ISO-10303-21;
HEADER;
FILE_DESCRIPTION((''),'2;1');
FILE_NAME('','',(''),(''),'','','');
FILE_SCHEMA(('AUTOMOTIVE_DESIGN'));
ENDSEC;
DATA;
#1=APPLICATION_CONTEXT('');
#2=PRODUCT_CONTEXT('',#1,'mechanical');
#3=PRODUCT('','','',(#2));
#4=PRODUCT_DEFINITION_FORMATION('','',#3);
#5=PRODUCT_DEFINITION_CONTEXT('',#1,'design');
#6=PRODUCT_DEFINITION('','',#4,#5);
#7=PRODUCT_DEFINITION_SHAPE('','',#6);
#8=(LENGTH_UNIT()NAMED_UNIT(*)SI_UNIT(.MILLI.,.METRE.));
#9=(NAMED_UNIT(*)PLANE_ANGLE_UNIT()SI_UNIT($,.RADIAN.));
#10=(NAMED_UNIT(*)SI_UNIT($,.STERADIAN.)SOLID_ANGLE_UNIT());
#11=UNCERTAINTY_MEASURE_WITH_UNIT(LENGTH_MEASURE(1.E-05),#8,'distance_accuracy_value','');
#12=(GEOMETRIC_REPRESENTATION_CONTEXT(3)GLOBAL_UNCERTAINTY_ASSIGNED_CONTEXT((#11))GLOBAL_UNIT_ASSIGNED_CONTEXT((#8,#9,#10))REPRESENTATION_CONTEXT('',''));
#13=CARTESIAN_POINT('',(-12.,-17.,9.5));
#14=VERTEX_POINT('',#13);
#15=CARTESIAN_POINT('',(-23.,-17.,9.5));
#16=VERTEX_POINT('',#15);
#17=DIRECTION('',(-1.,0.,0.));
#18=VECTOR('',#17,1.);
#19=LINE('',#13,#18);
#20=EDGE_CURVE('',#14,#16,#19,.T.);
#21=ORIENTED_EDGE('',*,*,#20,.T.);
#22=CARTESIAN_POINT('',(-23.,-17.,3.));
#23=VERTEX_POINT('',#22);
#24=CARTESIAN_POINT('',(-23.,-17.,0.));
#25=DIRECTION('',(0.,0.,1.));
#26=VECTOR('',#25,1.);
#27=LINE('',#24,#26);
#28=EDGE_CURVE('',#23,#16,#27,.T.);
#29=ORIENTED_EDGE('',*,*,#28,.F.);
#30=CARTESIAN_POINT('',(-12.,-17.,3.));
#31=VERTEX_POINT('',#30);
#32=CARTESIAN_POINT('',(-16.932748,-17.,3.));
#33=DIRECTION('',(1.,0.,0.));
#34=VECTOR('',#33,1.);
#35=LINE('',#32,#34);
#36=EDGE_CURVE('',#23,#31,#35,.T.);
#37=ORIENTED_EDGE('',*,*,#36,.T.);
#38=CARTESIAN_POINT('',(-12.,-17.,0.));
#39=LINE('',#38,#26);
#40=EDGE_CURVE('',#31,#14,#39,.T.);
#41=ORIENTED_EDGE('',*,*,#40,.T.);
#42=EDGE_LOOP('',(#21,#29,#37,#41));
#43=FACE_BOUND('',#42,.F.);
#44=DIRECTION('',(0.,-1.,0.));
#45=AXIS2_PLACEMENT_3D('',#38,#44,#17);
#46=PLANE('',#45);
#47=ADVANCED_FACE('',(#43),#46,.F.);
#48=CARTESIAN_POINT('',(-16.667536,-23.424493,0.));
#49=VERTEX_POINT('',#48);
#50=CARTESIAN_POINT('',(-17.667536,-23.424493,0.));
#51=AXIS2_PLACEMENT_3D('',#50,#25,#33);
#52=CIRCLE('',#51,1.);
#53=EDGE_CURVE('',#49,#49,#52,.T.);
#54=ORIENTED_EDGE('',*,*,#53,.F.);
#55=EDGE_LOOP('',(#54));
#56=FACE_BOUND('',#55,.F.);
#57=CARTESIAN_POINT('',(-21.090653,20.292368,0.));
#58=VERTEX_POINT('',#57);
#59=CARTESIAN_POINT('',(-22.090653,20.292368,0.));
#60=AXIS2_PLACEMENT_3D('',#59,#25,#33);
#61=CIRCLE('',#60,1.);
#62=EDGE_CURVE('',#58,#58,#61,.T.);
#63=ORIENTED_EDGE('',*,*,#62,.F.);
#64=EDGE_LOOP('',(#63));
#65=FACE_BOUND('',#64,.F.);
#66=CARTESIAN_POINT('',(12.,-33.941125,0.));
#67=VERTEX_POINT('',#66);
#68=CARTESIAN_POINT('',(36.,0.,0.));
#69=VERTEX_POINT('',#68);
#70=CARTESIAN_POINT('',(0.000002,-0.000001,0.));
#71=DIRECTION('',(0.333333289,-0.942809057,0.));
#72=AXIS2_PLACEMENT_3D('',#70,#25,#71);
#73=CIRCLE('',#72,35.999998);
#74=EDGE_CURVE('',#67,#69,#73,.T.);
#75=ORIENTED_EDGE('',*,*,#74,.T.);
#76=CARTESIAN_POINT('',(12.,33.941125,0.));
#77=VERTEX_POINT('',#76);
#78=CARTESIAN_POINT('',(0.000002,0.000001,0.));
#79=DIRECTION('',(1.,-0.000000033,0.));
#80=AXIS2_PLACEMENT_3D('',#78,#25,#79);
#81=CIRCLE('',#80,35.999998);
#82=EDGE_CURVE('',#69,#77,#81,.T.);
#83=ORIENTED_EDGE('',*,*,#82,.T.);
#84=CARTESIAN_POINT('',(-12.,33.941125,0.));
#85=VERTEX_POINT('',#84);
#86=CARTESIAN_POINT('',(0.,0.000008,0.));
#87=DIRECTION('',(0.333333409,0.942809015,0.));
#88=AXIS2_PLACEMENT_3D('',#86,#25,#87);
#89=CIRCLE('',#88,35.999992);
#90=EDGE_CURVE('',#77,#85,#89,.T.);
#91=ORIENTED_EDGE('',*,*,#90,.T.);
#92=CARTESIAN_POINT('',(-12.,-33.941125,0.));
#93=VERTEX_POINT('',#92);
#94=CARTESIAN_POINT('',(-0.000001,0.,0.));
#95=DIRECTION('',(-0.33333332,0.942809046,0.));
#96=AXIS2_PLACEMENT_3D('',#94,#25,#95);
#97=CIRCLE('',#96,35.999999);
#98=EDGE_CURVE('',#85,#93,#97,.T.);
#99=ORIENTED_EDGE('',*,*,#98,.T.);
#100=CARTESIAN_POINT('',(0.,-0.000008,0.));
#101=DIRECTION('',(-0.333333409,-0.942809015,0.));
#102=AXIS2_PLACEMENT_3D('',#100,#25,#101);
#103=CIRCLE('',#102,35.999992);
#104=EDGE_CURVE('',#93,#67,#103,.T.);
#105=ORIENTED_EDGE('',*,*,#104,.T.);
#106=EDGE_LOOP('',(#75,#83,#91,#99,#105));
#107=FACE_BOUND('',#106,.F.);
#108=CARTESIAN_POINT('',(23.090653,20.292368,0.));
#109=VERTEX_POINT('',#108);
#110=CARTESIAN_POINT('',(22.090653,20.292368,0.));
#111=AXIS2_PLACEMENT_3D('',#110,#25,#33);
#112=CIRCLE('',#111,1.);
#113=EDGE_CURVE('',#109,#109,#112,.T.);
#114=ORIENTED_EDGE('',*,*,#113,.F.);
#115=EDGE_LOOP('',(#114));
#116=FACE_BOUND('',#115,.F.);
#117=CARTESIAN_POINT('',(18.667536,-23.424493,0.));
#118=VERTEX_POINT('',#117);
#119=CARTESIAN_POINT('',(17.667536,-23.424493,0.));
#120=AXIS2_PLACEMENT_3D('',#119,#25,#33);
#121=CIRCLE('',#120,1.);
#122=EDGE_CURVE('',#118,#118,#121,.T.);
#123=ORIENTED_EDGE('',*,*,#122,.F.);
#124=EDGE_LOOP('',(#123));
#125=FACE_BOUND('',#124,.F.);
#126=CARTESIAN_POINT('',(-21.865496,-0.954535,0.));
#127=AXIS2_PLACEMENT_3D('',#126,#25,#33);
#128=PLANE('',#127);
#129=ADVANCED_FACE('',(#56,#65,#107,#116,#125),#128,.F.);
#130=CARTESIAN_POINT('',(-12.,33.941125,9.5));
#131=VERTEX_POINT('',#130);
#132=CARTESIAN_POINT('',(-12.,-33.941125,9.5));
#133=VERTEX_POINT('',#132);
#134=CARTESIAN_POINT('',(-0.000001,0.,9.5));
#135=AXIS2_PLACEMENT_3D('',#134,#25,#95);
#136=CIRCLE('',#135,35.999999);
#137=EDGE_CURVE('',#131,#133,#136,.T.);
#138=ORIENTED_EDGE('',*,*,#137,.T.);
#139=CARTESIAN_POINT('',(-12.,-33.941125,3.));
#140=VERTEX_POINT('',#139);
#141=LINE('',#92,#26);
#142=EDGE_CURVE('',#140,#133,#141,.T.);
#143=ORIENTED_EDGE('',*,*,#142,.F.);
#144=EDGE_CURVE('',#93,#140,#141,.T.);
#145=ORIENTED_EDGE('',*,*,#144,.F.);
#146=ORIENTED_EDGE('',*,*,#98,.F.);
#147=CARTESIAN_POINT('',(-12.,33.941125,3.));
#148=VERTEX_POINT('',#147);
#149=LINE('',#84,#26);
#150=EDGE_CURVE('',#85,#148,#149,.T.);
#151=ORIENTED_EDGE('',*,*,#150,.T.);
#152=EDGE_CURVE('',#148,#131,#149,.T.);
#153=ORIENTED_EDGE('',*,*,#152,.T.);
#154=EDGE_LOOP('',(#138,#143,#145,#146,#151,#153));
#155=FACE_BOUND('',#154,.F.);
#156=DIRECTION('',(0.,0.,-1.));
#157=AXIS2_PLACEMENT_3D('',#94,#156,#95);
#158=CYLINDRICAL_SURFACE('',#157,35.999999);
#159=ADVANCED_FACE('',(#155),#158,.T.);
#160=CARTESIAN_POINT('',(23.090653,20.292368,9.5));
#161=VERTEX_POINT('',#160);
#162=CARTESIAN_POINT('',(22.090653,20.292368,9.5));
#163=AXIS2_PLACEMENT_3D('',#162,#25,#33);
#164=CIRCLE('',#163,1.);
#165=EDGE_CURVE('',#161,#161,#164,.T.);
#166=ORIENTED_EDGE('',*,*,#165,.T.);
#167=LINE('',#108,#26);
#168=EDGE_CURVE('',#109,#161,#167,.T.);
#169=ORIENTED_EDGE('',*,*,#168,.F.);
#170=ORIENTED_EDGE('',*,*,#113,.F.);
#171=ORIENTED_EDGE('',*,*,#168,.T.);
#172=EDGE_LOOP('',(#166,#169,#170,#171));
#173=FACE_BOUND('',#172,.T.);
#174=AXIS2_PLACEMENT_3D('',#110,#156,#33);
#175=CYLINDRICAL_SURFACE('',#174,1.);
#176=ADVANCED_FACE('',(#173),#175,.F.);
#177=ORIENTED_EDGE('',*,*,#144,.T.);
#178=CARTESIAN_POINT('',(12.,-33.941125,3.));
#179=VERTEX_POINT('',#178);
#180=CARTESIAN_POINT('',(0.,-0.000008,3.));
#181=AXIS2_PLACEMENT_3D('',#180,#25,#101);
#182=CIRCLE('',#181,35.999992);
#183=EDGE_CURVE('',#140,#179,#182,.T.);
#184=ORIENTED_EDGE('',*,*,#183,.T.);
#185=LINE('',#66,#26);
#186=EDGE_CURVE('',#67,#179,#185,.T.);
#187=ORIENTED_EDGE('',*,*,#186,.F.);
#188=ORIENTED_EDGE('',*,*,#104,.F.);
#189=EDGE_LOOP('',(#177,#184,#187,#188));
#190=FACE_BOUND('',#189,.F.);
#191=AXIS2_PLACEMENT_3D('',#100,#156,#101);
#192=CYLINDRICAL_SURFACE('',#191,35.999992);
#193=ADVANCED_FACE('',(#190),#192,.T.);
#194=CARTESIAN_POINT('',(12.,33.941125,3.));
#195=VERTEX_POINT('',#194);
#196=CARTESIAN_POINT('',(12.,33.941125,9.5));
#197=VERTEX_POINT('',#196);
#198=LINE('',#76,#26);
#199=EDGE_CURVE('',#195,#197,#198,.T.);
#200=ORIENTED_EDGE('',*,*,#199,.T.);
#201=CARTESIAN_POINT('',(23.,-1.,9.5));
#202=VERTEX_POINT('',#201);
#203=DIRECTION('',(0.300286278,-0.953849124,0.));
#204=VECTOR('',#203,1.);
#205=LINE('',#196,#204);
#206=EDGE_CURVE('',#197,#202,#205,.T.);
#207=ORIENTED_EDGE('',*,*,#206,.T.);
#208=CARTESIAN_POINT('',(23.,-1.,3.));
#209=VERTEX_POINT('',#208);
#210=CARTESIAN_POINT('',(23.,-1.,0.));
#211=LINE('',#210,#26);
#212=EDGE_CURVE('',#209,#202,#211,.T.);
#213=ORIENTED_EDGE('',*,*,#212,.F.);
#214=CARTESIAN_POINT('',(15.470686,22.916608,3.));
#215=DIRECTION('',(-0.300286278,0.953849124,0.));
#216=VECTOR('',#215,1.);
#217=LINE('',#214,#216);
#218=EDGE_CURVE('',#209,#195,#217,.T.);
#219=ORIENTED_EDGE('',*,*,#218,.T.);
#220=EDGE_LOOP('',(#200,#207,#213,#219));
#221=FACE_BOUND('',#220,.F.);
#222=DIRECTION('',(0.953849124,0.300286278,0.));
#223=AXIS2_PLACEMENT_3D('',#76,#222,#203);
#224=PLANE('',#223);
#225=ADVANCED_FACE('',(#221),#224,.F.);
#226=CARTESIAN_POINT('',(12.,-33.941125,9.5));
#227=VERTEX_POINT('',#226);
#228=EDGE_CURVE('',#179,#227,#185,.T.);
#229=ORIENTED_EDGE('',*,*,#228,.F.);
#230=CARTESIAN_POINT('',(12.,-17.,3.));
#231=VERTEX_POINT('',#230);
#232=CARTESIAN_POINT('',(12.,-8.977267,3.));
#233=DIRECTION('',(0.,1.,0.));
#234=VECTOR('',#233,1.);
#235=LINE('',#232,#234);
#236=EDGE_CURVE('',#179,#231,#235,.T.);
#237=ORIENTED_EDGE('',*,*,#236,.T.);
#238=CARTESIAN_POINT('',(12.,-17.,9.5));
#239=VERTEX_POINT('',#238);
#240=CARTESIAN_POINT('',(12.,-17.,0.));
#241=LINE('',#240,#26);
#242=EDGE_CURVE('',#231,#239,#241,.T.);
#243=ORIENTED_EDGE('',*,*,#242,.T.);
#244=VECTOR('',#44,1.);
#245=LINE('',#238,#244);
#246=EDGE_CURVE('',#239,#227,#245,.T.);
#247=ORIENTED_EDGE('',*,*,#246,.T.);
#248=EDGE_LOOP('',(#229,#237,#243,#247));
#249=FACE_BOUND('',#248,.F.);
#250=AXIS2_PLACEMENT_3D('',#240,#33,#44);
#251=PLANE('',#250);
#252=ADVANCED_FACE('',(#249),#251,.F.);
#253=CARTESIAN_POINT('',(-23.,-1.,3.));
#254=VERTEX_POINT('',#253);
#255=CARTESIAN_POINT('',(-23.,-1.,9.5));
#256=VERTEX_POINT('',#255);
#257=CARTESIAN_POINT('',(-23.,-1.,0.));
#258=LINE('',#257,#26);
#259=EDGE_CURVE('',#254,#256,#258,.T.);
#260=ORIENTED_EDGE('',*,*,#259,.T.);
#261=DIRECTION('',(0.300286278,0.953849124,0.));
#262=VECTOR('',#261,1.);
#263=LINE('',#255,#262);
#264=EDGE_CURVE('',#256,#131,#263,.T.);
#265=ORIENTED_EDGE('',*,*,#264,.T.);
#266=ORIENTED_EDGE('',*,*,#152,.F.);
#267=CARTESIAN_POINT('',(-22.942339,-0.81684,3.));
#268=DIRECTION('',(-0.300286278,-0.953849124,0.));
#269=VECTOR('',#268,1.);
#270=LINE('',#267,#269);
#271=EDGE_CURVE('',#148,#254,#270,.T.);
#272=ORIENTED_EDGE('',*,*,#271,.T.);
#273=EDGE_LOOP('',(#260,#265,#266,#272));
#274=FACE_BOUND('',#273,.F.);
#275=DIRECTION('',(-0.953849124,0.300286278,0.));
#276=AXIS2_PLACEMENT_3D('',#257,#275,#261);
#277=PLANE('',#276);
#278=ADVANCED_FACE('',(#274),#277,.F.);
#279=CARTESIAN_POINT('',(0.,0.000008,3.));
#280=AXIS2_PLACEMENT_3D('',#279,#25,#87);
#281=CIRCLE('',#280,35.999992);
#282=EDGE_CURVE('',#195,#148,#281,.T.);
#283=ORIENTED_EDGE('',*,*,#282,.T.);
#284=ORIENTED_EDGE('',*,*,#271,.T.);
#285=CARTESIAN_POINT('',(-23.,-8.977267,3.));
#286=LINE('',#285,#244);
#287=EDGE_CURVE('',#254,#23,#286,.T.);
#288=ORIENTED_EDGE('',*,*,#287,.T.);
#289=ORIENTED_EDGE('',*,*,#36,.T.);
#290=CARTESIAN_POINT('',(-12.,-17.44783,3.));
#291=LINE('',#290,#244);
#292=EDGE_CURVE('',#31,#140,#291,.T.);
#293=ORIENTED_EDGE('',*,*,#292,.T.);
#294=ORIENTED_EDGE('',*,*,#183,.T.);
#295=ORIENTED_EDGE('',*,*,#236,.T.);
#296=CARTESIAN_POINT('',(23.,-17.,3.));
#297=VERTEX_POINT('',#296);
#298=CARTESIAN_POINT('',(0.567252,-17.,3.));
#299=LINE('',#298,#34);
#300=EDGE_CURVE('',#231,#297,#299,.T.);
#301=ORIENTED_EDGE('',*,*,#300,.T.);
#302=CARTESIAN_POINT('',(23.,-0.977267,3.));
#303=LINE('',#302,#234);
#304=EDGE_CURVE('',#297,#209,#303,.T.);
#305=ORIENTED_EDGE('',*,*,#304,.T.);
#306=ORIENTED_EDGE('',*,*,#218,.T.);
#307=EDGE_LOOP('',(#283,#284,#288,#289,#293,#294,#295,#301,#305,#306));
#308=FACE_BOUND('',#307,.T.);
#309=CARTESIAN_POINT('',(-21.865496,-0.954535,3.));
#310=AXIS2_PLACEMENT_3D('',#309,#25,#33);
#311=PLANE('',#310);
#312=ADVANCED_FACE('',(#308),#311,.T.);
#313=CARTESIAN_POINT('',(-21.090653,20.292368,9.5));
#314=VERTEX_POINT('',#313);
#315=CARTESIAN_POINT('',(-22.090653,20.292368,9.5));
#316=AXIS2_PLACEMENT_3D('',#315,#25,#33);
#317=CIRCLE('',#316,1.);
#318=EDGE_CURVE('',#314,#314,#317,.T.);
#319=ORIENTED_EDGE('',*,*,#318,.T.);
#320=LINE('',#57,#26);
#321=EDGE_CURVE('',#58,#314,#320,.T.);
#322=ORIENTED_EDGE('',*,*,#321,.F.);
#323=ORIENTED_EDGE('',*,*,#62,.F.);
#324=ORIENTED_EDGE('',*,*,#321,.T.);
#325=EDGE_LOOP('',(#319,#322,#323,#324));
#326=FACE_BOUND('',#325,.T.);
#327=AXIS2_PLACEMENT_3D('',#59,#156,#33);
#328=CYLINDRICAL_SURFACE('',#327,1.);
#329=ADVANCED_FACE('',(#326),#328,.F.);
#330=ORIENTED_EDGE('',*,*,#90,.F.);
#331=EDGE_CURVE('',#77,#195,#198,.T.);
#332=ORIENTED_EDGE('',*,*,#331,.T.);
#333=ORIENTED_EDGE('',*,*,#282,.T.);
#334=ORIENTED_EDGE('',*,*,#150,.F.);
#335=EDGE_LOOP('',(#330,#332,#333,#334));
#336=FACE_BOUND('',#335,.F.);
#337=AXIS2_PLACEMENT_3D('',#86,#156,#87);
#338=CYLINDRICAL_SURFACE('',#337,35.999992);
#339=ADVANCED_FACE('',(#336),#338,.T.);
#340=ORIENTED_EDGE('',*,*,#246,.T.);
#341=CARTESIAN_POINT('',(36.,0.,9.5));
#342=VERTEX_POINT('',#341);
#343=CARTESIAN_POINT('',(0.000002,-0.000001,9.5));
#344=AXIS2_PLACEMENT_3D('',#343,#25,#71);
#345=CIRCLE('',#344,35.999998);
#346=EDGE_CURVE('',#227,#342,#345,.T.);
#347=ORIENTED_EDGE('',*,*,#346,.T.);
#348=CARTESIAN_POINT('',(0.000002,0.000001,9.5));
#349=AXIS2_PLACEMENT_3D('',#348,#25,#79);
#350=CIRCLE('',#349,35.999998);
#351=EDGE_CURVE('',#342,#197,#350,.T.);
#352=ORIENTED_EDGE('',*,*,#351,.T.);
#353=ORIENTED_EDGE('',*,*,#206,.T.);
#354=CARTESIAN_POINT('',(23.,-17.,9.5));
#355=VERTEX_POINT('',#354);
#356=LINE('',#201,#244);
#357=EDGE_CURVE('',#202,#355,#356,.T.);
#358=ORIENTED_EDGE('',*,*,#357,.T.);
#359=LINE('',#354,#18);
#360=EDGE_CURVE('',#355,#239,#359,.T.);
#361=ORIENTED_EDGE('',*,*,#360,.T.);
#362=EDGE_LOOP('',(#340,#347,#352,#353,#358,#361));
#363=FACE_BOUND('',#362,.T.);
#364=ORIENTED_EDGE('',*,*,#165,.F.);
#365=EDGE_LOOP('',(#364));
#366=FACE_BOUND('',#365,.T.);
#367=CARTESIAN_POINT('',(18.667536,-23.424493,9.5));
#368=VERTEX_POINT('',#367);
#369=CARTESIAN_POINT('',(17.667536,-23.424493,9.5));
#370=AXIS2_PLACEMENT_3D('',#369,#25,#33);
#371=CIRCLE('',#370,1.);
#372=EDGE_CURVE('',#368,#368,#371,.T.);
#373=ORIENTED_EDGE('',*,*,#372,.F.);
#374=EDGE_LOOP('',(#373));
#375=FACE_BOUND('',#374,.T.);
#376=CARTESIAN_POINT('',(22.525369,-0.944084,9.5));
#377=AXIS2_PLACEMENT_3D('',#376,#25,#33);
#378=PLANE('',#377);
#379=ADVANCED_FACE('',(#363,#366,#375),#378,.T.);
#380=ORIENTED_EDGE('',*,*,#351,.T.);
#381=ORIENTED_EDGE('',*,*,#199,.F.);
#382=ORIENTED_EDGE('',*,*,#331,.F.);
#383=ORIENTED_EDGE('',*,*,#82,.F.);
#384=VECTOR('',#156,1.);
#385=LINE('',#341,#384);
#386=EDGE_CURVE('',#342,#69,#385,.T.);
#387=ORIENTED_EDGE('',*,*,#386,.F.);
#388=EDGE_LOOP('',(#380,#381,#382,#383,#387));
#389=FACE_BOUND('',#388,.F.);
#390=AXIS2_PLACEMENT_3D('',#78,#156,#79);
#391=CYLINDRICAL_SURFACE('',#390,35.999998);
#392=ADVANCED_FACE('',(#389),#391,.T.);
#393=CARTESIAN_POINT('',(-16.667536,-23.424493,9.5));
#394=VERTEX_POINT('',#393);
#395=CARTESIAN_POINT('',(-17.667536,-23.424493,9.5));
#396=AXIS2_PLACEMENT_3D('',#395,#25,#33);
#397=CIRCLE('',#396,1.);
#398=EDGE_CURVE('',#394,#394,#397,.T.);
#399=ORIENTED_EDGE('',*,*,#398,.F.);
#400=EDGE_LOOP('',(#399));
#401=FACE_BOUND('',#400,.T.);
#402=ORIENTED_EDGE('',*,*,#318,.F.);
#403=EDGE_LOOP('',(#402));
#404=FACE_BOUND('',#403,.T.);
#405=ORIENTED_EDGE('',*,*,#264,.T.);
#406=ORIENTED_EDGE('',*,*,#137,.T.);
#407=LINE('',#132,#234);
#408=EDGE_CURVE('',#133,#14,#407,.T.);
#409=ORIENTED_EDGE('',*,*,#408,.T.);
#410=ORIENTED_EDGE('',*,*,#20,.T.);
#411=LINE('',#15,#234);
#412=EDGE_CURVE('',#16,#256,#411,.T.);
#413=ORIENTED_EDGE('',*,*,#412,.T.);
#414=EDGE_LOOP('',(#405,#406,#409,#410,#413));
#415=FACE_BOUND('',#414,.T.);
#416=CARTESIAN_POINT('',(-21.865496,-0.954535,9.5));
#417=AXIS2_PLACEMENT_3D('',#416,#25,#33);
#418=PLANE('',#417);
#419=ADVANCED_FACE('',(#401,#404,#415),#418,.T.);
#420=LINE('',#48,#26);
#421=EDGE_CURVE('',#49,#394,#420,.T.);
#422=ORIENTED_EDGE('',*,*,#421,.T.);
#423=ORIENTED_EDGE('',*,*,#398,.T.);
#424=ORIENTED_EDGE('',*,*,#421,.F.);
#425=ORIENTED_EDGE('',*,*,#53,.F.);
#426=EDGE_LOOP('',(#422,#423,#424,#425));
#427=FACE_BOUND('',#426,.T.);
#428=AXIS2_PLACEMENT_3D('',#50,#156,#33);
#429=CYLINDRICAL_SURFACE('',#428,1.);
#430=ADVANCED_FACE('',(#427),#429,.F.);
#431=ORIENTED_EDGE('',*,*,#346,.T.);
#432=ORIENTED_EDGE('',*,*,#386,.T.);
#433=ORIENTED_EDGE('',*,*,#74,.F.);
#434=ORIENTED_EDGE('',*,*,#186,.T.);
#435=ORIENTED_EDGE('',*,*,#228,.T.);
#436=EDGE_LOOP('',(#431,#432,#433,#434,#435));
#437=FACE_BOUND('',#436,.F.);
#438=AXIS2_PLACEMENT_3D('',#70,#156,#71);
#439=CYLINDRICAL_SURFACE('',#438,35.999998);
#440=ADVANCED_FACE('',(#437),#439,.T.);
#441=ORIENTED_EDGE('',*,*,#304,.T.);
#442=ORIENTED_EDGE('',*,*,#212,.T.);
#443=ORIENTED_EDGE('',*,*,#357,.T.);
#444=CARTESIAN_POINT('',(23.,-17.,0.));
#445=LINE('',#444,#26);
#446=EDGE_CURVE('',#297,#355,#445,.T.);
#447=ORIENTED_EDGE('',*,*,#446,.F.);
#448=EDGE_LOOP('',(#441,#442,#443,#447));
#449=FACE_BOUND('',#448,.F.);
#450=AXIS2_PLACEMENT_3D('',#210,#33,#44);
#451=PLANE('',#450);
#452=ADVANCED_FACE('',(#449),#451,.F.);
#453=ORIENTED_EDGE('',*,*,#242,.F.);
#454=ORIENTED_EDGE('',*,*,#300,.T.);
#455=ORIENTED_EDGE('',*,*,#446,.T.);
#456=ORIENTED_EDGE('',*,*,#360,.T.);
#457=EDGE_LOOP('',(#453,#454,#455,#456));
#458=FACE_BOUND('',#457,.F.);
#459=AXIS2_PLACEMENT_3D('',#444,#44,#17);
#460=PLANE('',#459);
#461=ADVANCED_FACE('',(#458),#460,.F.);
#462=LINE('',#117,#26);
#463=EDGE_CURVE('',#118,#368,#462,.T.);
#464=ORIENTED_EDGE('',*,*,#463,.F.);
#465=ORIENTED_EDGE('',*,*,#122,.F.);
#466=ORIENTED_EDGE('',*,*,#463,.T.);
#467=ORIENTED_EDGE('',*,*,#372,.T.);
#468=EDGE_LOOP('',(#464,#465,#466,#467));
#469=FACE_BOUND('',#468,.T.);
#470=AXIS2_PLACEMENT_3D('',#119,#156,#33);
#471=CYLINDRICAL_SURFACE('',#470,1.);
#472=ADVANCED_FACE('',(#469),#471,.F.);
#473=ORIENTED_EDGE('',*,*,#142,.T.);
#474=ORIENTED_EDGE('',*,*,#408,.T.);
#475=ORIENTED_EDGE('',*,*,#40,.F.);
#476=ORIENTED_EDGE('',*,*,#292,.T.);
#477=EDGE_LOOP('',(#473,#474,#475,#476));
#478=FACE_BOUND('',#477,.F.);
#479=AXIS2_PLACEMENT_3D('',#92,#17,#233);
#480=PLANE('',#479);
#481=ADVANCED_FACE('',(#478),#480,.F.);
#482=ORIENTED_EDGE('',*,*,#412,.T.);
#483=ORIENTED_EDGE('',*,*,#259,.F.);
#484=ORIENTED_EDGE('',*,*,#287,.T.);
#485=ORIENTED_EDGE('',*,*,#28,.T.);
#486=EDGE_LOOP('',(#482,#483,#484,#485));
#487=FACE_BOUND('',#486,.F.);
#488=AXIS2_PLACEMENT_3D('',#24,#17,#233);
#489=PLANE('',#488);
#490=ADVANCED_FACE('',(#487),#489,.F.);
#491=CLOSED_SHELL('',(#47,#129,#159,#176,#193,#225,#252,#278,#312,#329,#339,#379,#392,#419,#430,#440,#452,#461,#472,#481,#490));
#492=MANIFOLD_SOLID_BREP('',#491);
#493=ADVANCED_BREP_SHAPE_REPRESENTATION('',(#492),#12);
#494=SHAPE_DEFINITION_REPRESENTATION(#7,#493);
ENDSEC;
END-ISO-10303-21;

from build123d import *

# Parameters (mm, degrees)
F0_R     = 1
F1_DEPTH = 3
F2_DEPTH = 9.5


with BuildPart() as f1:
    # F0 (on Top) → F1 (new body)
    with BuildSketch(Plane.XY):
        with BuildLine():
            Line((-23, -1), (-12, 33.941125))
            ThreePointArc((-12, 33.941125), (-36, 0), (-12, -33.941125))
            Line((-12, -33.941125), (-12, -17))
            Line((-12, -17), (-23, -17))
            Line((-23, -17), (-23, -1))
        make_face()
        with Locations((-17.667536, -23.424493)):
            Circle(F0_R, mode=Mode.SUBTRACT)
        with Locations((-22.090653, 20.292368)):
            Circle(F0_R, mode=Mode.SUBTRACT)
        with BuildLine():
            Line((23, -1), (12, 33.941125))
            ThreePointArc((12, 33.941125), (0, 36), (-12, 33.941125))
            Line((-12, 33.941125), (-23, -1))
            Line((-23, -1), (-23, -17))
            Line((-23, -17), (-12, -17))
            Line((-12, -17), (-12, -33.941125))
            ThreePointArc((-12, -33.941125), (0, -36), (12, -33.941125))
            Line((12, -33.941125), (12, -17))
            Line((12, -17), (23, -17))
            Line((23, -17), (23, -1))
        make_face()
        with BuildLine():
            ThreePointArc((12, -33.941125), (29.393877, -20.78461), (36, 0))
            ThreePointArc((36, 0), (29.393877, 20.78461), (12, 33.941125))
            Line((12, 33.941125), (23, -1))
            Line((23, -1), (23, -17))
            Line((23, -17), (12, -17))
            Line((12, -17), (12, -33.941125))
        make_face()
        with Locations((17.667536, -23.424493)):
            Circle(F0_R, mode=Mode.SUBTRACT)
        with Locations((22.090653, 20.292368)):
            Circle(F0_R, mode=Mode.SUBTRACT)
    extrude(amount=F1_DEPTH)

    # F0 (on Top) → F2 (join)
    with BuildSketch(Plane.XY):
        with BuildLine():
            Line((-23, -1), (-12, 33.941125))
            ThreePointArc((-12, 33.941125), (-36, 0), (-12, -33.941125))
            Line((-12, -33.941125), (-12, -17))
            Line((-12, -17), (-23, -17))
            Line((-23, -17), (-23, -1))
        make_face()
        with Locations((-17.667536, -23.424493)):
            Circle(F0_R, mode=Mode.SUBTRACT)
        with Locations((-22.090653, 20.292368)):
            Circle(F0_R, mode=Mode.SUBTRACT)
        with BuildLine():
            ThreePointArc((12, -33.941125), (29.393877, -20.78461), (36, 0))
            ThreePointArc((36, 0), (29.393877, 20.78461), (12, 33.941125))
            Line((12, 33.941125), (23, -1))
            Line((23, -1), (23, -17))
            Line((23, -17), (12, -17))
            Line((12, -17), (12, -33.941125))
        make_face()
        with Locations((17.667536, -23.424493)):
            Circle(F0_R, mode=Mode.SUBTRACT)
        with Locations((22.090653, 20.292368)):
            Circle(F0_R, mode=Mode.SUBTRACT)
    extrude(amount=F2_DEPTH)


solid = f1.part
